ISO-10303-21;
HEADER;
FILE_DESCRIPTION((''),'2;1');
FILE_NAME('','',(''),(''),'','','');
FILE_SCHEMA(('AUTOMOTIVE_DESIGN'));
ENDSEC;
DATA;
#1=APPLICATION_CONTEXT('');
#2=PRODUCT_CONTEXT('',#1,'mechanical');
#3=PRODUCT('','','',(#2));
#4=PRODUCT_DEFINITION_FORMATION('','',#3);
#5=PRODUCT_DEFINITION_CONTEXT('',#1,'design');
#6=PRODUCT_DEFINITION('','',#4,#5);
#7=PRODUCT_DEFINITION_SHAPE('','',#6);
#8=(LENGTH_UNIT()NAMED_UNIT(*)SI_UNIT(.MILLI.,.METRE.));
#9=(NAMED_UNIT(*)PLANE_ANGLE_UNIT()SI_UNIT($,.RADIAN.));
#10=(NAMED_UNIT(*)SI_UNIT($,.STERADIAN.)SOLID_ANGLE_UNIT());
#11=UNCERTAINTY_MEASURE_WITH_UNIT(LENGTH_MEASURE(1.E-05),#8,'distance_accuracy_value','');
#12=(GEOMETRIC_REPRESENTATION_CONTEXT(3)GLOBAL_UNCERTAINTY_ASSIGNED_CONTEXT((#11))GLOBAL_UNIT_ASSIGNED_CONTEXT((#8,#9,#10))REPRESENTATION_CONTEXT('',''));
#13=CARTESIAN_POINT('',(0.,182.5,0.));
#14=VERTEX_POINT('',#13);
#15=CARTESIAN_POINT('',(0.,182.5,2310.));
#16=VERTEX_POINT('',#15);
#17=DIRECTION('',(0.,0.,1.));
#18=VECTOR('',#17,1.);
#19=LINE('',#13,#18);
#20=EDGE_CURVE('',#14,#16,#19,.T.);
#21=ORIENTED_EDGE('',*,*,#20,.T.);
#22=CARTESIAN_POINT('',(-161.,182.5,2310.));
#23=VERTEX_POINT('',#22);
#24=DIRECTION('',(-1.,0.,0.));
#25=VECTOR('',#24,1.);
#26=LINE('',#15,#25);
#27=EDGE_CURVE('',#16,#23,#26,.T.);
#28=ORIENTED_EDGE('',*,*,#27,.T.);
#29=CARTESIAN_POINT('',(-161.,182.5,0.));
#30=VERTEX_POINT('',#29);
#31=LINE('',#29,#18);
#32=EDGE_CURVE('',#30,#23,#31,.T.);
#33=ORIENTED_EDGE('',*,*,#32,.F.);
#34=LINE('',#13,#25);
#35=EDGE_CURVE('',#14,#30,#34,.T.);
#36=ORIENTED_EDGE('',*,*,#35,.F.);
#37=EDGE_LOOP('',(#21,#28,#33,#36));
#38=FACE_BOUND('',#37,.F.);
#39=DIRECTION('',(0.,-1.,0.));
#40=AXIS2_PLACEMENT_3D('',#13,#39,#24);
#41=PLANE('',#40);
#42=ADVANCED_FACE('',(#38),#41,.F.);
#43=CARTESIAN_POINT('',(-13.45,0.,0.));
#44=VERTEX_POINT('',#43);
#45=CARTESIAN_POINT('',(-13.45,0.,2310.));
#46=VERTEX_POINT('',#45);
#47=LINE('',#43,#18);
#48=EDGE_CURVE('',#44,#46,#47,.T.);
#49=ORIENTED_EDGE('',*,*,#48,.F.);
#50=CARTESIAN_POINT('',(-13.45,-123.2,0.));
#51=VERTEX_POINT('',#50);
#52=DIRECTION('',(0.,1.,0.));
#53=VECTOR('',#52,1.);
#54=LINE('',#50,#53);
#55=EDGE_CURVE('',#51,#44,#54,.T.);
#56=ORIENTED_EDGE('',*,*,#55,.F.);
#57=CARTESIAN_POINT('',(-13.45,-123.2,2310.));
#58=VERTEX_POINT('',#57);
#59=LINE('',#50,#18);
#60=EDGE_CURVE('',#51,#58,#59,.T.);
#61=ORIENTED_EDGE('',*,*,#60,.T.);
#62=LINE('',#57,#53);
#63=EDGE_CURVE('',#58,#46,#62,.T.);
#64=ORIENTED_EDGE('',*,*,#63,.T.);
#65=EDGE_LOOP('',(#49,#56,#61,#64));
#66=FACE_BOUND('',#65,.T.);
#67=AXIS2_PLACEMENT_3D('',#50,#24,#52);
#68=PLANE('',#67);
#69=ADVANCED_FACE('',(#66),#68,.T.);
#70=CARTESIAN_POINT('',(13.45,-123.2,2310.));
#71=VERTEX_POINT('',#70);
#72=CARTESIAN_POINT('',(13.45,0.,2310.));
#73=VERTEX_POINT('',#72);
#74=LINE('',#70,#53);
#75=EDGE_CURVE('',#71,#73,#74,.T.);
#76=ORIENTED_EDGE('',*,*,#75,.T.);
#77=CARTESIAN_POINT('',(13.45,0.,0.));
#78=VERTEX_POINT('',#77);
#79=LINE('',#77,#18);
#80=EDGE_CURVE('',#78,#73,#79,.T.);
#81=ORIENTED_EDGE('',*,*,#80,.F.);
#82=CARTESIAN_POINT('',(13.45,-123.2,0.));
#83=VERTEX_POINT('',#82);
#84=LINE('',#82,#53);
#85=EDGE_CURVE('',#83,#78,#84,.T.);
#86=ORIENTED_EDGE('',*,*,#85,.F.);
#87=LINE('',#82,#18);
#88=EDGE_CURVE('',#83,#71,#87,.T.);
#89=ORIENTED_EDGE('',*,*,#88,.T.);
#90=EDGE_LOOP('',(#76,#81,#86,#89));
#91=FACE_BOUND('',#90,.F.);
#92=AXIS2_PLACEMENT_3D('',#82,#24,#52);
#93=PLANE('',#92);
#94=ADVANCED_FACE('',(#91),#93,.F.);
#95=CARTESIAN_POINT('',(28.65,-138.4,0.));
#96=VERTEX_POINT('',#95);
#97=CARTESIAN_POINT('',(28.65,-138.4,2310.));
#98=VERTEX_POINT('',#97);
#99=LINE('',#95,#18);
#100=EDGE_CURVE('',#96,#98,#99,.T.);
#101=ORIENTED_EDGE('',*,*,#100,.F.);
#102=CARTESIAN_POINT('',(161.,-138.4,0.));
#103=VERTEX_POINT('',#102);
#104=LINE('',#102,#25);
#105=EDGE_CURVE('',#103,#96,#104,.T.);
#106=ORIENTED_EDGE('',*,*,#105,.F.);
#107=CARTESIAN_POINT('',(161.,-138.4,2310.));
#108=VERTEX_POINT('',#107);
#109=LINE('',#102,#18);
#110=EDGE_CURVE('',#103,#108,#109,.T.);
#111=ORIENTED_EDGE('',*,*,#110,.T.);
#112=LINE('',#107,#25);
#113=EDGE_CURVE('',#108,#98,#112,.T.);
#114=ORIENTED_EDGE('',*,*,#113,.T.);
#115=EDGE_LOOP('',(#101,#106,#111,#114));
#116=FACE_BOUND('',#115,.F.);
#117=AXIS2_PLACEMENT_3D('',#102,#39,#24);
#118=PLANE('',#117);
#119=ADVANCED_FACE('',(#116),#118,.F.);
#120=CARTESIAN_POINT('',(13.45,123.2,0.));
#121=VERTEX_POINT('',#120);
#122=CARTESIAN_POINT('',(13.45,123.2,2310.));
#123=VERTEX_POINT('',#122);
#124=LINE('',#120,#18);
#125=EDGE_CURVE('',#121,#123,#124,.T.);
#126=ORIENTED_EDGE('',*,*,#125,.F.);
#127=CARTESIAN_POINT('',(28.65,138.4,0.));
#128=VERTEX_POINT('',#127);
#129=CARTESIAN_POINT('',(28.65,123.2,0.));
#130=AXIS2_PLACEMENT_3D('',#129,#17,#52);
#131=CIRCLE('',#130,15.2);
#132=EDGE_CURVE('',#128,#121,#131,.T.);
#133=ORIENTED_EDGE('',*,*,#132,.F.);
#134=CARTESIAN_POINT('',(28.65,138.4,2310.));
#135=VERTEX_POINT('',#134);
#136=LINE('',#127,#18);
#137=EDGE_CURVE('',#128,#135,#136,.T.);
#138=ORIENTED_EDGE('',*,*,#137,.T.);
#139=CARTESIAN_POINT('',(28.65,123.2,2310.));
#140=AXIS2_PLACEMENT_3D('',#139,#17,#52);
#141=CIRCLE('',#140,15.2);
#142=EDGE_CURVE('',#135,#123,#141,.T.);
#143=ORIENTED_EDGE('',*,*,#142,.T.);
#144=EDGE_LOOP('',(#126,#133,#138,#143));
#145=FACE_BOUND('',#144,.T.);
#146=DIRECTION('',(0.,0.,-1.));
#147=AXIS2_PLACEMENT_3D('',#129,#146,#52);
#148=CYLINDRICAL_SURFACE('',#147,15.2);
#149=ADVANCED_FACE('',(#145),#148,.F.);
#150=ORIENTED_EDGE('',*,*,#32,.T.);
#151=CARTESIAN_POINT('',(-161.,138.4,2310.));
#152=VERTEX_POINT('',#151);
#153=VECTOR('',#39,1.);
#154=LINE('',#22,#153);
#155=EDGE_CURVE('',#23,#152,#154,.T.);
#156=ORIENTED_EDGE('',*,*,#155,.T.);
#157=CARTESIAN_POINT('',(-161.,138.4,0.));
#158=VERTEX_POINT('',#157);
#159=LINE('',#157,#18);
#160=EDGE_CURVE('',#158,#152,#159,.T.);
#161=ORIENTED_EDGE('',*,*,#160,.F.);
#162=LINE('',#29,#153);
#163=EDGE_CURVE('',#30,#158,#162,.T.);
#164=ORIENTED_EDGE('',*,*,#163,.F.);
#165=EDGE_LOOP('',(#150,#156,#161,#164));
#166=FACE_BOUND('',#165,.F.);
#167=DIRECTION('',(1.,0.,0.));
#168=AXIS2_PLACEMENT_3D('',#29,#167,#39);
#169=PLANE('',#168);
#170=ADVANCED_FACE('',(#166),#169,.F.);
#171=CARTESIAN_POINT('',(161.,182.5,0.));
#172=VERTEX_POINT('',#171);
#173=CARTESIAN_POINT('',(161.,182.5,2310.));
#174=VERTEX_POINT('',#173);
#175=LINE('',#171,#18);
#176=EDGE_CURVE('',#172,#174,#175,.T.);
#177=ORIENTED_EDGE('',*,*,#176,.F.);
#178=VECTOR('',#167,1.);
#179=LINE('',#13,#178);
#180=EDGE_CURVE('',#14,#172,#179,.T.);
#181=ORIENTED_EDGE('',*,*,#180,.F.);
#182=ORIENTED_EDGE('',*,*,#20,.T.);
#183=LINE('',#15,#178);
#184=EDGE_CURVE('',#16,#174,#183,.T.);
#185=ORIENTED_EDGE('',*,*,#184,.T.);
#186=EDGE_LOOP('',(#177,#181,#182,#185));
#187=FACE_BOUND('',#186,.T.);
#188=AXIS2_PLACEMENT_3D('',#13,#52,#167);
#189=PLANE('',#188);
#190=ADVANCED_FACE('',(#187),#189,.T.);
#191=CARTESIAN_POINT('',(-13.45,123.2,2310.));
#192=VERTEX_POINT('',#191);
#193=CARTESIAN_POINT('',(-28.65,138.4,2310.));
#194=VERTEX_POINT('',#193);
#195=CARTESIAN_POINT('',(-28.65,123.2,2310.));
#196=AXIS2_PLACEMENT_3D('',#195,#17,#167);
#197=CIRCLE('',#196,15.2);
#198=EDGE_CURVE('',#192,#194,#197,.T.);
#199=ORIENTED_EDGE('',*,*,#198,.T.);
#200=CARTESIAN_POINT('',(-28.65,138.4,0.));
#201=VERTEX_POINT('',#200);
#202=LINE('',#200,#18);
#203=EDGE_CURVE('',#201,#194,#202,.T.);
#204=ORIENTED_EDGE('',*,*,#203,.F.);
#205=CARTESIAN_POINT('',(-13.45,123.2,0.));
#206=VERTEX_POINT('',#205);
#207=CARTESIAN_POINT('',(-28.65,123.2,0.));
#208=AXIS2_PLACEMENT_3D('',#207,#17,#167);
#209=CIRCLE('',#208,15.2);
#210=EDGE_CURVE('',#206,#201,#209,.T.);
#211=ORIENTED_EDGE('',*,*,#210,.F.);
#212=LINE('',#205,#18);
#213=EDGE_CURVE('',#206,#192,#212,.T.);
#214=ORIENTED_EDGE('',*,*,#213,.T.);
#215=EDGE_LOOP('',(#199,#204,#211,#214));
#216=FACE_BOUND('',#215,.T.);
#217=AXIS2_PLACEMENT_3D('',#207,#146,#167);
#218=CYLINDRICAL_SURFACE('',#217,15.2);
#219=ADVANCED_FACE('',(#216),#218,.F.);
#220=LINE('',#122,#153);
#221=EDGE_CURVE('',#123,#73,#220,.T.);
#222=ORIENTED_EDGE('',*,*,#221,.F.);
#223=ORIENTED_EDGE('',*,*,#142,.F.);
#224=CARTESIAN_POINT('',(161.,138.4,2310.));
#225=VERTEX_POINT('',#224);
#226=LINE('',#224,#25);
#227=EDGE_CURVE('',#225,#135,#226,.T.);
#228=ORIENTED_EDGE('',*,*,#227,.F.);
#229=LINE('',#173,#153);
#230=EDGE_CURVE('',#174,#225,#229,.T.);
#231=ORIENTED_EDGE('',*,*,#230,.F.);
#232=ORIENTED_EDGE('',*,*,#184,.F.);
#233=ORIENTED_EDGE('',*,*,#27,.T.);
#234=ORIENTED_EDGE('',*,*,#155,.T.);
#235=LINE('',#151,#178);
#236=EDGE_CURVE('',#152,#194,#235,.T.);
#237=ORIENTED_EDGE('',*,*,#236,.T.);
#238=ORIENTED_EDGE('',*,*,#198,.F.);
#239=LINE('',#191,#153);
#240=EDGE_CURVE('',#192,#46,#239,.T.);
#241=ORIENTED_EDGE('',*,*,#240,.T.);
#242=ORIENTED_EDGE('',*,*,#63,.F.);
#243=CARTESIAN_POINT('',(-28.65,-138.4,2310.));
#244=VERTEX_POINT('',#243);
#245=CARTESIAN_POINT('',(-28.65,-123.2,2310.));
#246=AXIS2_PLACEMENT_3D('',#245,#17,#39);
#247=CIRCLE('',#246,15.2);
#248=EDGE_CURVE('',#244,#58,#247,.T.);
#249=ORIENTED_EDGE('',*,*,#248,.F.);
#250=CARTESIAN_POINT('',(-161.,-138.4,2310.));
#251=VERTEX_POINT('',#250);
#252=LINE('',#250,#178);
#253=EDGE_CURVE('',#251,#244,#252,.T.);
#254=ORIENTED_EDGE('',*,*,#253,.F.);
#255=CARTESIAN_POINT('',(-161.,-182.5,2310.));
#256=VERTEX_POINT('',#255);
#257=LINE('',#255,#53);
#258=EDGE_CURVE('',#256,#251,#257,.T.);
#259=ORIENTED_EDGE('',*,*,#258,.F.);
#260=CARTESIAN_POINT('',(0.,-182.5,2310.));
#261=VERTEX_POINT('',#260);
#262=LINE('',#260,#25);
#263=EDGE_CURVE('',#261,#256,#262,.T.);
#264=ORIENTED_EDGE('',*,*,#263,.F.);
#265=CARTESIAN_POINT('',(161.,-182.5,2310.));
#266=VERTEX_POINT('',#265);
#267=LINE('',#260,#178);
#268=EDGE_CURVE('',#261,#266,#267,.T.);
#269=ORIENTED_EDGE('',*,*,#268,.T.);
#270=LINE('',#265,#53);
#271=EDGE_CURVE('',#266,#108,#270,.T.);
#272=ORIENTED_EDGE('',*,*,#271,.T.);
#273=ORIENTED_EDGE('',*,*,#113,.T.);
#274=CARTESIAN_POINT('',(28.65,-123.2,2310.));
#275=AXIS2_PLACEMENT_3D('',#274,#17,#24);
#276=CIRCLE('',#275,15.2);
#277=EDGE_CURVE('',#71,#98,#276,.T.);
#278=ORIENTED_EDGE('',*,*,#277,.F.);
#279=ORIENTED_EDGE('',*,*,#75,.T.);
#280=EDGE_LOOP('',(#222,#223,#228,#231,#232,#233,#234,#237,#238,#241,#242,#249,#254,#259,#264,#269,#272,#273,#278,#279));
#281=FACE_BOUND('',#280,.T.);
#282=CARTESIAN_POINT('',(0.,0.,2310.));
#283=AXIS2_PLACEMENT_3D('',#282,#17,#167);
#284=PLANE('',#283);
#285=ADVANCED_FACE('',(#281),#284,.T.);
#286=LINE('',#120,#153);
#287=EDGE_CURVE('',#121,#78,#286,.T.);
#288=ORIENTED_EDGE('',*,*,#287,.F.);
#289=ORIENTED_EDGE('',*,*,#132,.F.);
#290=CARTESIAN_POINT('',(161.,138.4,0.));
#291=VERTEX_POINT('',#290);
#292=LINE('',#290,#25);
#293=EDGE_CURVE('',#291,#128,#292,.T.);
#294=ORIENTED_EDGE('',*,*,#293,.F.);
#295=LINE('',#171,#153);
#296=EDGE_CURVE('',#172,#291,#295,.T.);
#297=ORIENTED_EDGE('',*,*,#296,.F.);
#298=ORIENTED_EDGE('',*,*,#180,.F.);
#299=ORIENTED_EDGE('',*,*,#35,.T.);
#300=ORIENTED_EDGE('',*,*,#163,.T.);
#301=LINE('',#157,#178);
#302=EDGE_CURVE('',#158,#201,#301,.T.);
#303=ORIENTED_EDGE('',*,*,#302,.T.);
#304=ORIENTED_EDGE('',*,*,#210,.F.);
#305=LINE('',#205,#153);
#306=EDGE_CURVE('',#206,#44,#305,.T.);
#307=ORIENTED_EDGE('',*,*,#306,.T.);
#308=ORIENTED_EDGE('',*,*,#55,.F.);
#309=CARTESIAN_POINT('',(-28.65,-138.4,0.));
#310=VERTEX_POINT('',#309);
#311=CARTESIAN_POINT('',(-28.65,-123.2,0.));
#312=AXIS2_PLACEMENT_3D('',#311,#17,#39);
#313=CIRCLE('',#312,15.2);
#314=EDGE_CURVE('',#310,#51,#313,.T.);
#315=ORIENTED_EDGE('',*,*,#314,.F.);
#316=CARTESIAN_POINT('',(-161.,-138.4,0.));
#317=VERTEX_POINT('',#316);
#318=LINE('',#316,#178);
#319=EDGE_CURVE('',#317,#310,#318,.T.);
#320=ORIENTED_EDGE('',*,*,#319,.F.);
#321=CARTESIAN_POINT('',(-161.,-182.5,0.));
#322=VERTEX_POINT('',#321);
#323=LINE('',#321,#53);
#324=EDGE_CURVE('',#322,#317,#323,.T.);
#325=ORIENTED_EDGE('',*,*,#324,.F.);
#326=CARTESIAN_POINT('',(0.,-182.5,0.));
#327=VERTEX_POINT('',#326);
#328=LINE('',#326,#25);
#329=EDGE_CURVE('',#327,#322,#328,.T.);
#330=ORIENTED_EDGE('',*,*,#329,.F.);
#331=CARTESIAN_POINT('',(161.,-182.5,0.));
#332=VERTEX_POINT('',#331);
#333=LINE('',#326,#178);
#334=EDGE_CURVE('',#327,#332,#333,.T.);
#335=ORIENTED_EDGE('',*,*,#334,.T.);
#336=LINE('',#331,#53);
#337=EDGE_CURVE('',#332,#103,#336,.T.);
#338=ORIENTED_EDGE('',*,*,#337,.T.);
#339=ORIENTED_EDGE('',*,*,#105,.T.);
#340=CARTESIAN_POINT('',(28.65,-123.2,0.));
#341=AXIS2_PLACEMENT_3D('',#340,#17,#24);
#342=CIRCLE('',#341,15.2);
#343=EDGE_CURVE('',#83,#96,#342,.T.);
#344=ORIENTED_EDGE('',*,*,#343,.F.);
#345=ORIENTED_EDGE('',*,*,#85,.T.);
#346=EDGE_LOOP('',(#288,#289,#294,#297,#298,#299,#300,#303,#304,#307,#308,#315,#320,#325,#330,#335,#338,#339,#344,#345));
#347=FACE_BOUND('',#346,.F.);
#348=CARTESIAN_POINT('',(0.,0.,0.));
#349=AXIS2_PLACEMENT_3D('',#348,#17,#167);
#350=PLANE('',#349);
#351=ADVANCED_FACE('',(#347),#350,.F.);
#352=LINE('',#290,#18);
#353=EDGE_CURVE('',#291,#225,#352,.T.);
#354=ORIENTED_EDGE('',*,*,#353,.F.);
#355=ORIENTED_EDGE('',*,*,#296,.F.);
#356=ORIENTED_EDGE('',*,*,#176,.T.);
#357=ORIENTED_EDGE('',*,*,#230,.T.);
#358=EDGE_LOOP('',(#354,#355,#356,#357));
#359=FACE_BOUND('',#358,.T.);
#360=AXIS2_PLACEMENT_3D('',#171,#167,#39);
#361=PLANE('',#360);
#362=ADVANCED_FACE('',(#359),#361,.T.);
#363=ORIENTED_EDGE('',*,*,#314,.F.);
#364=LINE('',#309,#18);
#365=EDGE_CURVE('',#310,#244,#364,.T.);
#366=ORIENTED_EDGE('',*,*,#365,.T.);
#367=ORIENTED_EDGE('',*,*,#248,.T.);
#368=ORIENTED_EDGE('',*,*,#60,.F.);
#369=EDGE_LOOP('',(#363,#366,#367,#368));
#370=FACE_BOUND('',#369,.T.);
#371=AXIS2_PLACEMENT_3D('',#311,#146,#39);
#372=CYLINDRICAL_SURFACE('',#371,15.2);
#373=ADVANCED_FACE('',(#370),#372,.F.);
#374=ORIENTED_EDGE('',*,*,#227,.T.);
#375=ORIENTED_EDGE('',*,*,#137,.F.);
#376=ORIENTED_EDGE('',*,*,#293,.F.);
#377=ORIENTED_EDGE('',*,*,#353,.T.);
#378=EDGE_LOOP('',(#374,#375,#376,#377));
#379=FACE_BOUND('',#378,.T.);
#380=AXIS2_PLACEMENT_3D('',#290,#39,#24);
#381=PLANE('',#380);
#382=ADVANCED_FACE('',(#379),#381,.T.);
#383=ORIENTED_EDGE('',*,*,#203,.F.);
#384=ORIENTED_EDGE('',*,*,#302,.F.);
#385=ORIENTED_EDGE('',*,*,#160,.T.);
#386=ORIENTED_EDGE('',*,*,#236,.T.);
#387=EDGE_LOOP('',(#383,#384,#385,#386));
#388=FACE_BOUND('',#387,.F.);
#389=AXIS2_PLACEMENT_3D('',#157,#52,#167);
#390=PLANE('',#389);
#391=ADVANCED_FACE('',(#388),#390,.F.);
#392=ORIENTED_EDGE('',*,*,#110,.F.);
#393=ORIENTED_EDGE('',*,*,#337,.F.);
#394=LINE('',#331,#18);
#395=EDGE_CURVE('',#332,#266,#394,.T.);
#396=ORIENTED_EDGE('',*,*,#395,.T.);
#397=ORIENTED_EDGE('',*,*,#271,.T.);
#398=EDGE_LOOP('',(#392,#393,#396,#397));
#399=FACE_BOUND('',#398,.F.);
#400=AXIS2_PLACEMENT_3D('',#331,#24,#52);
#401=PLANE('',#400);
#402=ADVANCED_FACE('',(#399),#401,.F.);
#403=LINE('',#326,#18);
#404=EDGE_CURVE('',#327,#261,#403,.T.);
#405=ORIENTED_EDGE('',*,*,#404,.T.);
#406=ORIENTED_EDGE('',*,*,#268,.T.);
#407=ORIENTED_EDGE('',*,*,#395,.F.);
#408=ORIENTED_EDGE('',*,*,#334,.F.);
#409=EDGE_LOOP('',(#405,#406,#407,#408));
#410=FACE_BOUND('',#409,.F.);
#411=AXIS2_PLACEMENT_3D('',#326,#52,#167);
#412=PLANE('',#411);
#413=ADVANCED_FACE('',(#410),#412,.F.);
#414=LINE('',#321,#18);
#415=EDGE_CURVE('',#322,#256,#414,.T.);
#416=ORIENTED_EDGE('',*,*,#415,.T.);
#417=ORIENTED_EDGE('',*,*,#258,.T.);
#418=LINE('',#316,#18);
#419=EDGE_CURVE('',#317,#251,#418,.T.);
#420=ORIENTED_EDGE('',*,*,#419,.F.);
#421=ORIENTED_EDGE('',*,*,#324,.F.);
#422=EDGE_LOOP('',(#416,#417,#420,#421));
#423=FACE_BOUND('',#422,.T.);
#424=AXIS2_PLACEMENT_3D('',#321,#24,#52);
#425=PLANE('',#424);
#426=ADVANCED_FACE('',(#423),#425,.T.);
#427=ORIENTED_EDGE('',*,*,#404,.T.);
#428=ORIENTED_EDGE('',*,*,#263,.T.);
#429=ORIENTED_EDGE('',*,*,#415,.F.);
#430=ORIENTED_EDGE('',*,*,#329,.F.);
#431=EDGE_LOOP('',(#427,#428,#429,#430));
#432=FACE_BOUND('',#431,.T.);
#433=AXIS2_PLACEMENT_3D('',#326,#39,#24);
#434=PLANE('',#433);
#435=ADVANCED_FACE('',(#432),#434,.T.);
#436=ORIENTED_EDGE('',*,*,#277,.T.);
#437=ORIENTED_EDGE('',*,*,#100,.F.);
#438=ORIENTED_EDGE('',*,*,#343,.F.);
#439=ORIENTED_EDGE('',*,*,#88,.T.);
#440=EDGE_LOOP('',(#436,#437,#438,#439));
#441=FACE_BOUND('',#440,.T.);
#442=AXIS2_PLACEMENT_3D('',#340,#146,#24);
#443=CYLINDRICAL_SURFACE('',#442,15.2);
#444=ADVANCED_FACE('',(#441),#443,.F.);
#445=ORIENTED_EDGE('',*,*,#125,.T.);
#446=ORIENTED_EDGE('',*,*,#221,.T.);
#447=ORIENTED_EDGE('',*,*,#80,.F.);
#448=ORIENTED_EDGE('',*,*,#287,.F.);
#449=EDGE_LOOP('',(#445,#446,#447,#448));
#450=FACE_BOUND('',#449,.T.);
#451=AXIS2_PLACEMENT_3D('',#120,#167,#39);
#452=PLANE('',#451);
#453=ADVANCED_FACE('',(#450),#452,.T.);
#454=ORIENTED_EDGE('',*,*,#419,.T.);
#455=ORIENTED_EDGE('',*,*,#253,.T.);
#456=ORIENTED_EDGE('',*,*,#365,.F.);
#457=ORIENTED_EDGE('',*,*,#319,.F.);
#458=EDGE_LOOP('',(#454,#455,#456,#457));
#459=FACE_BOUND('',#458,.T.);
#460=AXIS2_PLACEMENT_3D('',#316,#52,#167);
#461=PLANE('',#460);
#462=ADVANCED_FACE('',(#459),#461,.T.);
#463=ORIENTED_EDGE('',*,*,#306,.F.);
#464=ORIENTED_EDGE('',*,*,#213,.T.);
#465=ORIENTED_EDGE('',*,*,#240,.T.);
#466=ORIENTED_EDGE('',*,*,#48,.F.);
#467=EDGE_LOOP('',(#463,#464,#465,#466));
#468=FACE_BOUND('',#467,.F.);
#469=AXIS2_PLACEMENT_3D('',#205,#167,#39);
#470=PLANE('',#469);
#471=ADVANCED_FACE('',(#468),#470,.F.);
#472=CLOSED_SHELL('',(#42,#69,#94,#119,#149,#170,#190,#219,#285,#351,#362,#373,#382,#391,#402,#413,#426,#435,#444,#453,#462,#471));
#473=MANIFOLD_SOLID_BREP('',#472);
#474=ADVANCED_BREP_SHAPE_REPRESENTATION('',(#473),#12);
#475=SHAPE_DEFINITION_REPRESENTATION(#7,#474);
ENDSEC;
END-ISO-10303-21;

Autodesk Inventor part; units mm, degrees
ref_plane "YZ Plane" through (0, 0, 0) normal (1, 0, 0) x (0, 1, 0)
ref_plane "Start plane" through (0, 0, 0) normal (0, 0, 1) x (1, 0, 0)
ref_plane "End plane" through (0, 0, 2310) normal (0, 0, 1) x (1, 0, 0)
sketch "Sketch" plane through (0, 0, 0) normal (0, 0, 1) x (1, 0, 0)
  line L0 (-161, -182.5) -> (-161, -138.4)
  line L1 (-161, -138.4) -> (-28.65, -138.4)
  line L2 (-13.45, -123.2) -> (-13.45, 0)
  line L3 (-13.45, 0) -> (0, 0) construction
  line L4 (0, 0) -> (0, -182.5) construction
  line L5 (0, -182.5) -> (-161, -182.5)
  line L6 (-60, 0) -> (80, 0) construction
  line L7 (0, -60) -> (0, 80) construction
  line L8 (161, -182.5) -> (161, -138.4)
  line L9 (161, -138.4) -> (28.65, -138.4)
  line L10 (13.45, -123.2) -> (13.45, 0)
  line L11 (13.45, 0) -> (0, 0) construction
  line L12 (0, -182.5) -> (161, -182.5)
  line L13 (-161, 182.5) -> (-161, 138.4)
  line L14 (-161, 138.4) -> (-28.65, 138.4)
  line L15 (-13.45, 123.2) -> (-13.45, 0)
  line L16 (0, 182.5) -> (-161, 182.5)
  line L17 (161, 182.5) -> (161, 138.4)
  line L18 (161, 138.4) -> (28.65, 138.4)
  line L19 (0, 182.5) -> (161, 182.5)
  line L20 (13.45, 123.2) -> (13.45, 0)
  arc A0 (-13.45, 123.2) -> (-28.65, 138.4) centre (-28.65, 123.2) ccw
  arc A1 (28.65, 138.4) -> (13.45, 123.2) centre (28.65, 123.2) ccw
  arc A2 (13.45, -123.2) -> (28.65, -138.4) centre (28.65, -123.2) ccw
  arc A3 (-28.65, -138.4) -> (-13.45, -123.2) centre (-28.65, -123.2) ccw
  line L21 (0, 108) -> (0, -88) construction
  line L22 (-88, 0) -> (108, 0) construction
  point P0 (-13.45, -138.4)
  point P1 (13.45, -138.4)
  point P2 (-13.45, 138.4)
  point P3 (13.45, 138.4)
  dimension "d1" = 182.5
  dimension "d2" = 44.1
  dimension "d3" = 161
  dimension "d4" = 13.45
  dimension "d10" = 15.2
extrude "Body" add sketch "Sketch" along normal up to surface (2310 mm away) from surface at 0
sketch "Sketch4" plane through (0, 0, 0) normal (0, 0, 1) x (1, 0, 0)
  line L0 (0, 0) -> (10, 0)
ref_plane "Work Plane3" through (0, 0, 0) normal (0, -1, 0) x (1, 0, 0)
sketch "Sketch5" plane through (0, 0, 0) normal (0, -1, 0) x (1, 0, 0)
  line L0 (-2, 0) -> (12, 0) projected
  line L1 (-2, 2310) -> (12, 2310) projected
  dimension "d14" = 2310
equation "\"d1\" = 0.5 * G_H"
equation "\"d2\" = G_T1"
equation "\"d3\" = 0.5 * G_W"
equation "\"d4\" = 0.5 * G_T"
equation "\"d10\" = G_IR"
equation "\"d5\" = G_L"
equation "\"G_W\" = 322"
equation "\"G_H\" = 365"
equation "\"G_T\" = 26.9"
equation "\"G_T1\" = 44.1"
equation "\"G_IR\" = 15.2"
equation "\"G_L\" = d14"
equation "\"G_OFFSET_START\" = 0"
equation "\"G_OFFSET_END\" = 0"
properties part number "AS 3679 - 310 UC - 283 - 2310" material "Steel, Mild"
